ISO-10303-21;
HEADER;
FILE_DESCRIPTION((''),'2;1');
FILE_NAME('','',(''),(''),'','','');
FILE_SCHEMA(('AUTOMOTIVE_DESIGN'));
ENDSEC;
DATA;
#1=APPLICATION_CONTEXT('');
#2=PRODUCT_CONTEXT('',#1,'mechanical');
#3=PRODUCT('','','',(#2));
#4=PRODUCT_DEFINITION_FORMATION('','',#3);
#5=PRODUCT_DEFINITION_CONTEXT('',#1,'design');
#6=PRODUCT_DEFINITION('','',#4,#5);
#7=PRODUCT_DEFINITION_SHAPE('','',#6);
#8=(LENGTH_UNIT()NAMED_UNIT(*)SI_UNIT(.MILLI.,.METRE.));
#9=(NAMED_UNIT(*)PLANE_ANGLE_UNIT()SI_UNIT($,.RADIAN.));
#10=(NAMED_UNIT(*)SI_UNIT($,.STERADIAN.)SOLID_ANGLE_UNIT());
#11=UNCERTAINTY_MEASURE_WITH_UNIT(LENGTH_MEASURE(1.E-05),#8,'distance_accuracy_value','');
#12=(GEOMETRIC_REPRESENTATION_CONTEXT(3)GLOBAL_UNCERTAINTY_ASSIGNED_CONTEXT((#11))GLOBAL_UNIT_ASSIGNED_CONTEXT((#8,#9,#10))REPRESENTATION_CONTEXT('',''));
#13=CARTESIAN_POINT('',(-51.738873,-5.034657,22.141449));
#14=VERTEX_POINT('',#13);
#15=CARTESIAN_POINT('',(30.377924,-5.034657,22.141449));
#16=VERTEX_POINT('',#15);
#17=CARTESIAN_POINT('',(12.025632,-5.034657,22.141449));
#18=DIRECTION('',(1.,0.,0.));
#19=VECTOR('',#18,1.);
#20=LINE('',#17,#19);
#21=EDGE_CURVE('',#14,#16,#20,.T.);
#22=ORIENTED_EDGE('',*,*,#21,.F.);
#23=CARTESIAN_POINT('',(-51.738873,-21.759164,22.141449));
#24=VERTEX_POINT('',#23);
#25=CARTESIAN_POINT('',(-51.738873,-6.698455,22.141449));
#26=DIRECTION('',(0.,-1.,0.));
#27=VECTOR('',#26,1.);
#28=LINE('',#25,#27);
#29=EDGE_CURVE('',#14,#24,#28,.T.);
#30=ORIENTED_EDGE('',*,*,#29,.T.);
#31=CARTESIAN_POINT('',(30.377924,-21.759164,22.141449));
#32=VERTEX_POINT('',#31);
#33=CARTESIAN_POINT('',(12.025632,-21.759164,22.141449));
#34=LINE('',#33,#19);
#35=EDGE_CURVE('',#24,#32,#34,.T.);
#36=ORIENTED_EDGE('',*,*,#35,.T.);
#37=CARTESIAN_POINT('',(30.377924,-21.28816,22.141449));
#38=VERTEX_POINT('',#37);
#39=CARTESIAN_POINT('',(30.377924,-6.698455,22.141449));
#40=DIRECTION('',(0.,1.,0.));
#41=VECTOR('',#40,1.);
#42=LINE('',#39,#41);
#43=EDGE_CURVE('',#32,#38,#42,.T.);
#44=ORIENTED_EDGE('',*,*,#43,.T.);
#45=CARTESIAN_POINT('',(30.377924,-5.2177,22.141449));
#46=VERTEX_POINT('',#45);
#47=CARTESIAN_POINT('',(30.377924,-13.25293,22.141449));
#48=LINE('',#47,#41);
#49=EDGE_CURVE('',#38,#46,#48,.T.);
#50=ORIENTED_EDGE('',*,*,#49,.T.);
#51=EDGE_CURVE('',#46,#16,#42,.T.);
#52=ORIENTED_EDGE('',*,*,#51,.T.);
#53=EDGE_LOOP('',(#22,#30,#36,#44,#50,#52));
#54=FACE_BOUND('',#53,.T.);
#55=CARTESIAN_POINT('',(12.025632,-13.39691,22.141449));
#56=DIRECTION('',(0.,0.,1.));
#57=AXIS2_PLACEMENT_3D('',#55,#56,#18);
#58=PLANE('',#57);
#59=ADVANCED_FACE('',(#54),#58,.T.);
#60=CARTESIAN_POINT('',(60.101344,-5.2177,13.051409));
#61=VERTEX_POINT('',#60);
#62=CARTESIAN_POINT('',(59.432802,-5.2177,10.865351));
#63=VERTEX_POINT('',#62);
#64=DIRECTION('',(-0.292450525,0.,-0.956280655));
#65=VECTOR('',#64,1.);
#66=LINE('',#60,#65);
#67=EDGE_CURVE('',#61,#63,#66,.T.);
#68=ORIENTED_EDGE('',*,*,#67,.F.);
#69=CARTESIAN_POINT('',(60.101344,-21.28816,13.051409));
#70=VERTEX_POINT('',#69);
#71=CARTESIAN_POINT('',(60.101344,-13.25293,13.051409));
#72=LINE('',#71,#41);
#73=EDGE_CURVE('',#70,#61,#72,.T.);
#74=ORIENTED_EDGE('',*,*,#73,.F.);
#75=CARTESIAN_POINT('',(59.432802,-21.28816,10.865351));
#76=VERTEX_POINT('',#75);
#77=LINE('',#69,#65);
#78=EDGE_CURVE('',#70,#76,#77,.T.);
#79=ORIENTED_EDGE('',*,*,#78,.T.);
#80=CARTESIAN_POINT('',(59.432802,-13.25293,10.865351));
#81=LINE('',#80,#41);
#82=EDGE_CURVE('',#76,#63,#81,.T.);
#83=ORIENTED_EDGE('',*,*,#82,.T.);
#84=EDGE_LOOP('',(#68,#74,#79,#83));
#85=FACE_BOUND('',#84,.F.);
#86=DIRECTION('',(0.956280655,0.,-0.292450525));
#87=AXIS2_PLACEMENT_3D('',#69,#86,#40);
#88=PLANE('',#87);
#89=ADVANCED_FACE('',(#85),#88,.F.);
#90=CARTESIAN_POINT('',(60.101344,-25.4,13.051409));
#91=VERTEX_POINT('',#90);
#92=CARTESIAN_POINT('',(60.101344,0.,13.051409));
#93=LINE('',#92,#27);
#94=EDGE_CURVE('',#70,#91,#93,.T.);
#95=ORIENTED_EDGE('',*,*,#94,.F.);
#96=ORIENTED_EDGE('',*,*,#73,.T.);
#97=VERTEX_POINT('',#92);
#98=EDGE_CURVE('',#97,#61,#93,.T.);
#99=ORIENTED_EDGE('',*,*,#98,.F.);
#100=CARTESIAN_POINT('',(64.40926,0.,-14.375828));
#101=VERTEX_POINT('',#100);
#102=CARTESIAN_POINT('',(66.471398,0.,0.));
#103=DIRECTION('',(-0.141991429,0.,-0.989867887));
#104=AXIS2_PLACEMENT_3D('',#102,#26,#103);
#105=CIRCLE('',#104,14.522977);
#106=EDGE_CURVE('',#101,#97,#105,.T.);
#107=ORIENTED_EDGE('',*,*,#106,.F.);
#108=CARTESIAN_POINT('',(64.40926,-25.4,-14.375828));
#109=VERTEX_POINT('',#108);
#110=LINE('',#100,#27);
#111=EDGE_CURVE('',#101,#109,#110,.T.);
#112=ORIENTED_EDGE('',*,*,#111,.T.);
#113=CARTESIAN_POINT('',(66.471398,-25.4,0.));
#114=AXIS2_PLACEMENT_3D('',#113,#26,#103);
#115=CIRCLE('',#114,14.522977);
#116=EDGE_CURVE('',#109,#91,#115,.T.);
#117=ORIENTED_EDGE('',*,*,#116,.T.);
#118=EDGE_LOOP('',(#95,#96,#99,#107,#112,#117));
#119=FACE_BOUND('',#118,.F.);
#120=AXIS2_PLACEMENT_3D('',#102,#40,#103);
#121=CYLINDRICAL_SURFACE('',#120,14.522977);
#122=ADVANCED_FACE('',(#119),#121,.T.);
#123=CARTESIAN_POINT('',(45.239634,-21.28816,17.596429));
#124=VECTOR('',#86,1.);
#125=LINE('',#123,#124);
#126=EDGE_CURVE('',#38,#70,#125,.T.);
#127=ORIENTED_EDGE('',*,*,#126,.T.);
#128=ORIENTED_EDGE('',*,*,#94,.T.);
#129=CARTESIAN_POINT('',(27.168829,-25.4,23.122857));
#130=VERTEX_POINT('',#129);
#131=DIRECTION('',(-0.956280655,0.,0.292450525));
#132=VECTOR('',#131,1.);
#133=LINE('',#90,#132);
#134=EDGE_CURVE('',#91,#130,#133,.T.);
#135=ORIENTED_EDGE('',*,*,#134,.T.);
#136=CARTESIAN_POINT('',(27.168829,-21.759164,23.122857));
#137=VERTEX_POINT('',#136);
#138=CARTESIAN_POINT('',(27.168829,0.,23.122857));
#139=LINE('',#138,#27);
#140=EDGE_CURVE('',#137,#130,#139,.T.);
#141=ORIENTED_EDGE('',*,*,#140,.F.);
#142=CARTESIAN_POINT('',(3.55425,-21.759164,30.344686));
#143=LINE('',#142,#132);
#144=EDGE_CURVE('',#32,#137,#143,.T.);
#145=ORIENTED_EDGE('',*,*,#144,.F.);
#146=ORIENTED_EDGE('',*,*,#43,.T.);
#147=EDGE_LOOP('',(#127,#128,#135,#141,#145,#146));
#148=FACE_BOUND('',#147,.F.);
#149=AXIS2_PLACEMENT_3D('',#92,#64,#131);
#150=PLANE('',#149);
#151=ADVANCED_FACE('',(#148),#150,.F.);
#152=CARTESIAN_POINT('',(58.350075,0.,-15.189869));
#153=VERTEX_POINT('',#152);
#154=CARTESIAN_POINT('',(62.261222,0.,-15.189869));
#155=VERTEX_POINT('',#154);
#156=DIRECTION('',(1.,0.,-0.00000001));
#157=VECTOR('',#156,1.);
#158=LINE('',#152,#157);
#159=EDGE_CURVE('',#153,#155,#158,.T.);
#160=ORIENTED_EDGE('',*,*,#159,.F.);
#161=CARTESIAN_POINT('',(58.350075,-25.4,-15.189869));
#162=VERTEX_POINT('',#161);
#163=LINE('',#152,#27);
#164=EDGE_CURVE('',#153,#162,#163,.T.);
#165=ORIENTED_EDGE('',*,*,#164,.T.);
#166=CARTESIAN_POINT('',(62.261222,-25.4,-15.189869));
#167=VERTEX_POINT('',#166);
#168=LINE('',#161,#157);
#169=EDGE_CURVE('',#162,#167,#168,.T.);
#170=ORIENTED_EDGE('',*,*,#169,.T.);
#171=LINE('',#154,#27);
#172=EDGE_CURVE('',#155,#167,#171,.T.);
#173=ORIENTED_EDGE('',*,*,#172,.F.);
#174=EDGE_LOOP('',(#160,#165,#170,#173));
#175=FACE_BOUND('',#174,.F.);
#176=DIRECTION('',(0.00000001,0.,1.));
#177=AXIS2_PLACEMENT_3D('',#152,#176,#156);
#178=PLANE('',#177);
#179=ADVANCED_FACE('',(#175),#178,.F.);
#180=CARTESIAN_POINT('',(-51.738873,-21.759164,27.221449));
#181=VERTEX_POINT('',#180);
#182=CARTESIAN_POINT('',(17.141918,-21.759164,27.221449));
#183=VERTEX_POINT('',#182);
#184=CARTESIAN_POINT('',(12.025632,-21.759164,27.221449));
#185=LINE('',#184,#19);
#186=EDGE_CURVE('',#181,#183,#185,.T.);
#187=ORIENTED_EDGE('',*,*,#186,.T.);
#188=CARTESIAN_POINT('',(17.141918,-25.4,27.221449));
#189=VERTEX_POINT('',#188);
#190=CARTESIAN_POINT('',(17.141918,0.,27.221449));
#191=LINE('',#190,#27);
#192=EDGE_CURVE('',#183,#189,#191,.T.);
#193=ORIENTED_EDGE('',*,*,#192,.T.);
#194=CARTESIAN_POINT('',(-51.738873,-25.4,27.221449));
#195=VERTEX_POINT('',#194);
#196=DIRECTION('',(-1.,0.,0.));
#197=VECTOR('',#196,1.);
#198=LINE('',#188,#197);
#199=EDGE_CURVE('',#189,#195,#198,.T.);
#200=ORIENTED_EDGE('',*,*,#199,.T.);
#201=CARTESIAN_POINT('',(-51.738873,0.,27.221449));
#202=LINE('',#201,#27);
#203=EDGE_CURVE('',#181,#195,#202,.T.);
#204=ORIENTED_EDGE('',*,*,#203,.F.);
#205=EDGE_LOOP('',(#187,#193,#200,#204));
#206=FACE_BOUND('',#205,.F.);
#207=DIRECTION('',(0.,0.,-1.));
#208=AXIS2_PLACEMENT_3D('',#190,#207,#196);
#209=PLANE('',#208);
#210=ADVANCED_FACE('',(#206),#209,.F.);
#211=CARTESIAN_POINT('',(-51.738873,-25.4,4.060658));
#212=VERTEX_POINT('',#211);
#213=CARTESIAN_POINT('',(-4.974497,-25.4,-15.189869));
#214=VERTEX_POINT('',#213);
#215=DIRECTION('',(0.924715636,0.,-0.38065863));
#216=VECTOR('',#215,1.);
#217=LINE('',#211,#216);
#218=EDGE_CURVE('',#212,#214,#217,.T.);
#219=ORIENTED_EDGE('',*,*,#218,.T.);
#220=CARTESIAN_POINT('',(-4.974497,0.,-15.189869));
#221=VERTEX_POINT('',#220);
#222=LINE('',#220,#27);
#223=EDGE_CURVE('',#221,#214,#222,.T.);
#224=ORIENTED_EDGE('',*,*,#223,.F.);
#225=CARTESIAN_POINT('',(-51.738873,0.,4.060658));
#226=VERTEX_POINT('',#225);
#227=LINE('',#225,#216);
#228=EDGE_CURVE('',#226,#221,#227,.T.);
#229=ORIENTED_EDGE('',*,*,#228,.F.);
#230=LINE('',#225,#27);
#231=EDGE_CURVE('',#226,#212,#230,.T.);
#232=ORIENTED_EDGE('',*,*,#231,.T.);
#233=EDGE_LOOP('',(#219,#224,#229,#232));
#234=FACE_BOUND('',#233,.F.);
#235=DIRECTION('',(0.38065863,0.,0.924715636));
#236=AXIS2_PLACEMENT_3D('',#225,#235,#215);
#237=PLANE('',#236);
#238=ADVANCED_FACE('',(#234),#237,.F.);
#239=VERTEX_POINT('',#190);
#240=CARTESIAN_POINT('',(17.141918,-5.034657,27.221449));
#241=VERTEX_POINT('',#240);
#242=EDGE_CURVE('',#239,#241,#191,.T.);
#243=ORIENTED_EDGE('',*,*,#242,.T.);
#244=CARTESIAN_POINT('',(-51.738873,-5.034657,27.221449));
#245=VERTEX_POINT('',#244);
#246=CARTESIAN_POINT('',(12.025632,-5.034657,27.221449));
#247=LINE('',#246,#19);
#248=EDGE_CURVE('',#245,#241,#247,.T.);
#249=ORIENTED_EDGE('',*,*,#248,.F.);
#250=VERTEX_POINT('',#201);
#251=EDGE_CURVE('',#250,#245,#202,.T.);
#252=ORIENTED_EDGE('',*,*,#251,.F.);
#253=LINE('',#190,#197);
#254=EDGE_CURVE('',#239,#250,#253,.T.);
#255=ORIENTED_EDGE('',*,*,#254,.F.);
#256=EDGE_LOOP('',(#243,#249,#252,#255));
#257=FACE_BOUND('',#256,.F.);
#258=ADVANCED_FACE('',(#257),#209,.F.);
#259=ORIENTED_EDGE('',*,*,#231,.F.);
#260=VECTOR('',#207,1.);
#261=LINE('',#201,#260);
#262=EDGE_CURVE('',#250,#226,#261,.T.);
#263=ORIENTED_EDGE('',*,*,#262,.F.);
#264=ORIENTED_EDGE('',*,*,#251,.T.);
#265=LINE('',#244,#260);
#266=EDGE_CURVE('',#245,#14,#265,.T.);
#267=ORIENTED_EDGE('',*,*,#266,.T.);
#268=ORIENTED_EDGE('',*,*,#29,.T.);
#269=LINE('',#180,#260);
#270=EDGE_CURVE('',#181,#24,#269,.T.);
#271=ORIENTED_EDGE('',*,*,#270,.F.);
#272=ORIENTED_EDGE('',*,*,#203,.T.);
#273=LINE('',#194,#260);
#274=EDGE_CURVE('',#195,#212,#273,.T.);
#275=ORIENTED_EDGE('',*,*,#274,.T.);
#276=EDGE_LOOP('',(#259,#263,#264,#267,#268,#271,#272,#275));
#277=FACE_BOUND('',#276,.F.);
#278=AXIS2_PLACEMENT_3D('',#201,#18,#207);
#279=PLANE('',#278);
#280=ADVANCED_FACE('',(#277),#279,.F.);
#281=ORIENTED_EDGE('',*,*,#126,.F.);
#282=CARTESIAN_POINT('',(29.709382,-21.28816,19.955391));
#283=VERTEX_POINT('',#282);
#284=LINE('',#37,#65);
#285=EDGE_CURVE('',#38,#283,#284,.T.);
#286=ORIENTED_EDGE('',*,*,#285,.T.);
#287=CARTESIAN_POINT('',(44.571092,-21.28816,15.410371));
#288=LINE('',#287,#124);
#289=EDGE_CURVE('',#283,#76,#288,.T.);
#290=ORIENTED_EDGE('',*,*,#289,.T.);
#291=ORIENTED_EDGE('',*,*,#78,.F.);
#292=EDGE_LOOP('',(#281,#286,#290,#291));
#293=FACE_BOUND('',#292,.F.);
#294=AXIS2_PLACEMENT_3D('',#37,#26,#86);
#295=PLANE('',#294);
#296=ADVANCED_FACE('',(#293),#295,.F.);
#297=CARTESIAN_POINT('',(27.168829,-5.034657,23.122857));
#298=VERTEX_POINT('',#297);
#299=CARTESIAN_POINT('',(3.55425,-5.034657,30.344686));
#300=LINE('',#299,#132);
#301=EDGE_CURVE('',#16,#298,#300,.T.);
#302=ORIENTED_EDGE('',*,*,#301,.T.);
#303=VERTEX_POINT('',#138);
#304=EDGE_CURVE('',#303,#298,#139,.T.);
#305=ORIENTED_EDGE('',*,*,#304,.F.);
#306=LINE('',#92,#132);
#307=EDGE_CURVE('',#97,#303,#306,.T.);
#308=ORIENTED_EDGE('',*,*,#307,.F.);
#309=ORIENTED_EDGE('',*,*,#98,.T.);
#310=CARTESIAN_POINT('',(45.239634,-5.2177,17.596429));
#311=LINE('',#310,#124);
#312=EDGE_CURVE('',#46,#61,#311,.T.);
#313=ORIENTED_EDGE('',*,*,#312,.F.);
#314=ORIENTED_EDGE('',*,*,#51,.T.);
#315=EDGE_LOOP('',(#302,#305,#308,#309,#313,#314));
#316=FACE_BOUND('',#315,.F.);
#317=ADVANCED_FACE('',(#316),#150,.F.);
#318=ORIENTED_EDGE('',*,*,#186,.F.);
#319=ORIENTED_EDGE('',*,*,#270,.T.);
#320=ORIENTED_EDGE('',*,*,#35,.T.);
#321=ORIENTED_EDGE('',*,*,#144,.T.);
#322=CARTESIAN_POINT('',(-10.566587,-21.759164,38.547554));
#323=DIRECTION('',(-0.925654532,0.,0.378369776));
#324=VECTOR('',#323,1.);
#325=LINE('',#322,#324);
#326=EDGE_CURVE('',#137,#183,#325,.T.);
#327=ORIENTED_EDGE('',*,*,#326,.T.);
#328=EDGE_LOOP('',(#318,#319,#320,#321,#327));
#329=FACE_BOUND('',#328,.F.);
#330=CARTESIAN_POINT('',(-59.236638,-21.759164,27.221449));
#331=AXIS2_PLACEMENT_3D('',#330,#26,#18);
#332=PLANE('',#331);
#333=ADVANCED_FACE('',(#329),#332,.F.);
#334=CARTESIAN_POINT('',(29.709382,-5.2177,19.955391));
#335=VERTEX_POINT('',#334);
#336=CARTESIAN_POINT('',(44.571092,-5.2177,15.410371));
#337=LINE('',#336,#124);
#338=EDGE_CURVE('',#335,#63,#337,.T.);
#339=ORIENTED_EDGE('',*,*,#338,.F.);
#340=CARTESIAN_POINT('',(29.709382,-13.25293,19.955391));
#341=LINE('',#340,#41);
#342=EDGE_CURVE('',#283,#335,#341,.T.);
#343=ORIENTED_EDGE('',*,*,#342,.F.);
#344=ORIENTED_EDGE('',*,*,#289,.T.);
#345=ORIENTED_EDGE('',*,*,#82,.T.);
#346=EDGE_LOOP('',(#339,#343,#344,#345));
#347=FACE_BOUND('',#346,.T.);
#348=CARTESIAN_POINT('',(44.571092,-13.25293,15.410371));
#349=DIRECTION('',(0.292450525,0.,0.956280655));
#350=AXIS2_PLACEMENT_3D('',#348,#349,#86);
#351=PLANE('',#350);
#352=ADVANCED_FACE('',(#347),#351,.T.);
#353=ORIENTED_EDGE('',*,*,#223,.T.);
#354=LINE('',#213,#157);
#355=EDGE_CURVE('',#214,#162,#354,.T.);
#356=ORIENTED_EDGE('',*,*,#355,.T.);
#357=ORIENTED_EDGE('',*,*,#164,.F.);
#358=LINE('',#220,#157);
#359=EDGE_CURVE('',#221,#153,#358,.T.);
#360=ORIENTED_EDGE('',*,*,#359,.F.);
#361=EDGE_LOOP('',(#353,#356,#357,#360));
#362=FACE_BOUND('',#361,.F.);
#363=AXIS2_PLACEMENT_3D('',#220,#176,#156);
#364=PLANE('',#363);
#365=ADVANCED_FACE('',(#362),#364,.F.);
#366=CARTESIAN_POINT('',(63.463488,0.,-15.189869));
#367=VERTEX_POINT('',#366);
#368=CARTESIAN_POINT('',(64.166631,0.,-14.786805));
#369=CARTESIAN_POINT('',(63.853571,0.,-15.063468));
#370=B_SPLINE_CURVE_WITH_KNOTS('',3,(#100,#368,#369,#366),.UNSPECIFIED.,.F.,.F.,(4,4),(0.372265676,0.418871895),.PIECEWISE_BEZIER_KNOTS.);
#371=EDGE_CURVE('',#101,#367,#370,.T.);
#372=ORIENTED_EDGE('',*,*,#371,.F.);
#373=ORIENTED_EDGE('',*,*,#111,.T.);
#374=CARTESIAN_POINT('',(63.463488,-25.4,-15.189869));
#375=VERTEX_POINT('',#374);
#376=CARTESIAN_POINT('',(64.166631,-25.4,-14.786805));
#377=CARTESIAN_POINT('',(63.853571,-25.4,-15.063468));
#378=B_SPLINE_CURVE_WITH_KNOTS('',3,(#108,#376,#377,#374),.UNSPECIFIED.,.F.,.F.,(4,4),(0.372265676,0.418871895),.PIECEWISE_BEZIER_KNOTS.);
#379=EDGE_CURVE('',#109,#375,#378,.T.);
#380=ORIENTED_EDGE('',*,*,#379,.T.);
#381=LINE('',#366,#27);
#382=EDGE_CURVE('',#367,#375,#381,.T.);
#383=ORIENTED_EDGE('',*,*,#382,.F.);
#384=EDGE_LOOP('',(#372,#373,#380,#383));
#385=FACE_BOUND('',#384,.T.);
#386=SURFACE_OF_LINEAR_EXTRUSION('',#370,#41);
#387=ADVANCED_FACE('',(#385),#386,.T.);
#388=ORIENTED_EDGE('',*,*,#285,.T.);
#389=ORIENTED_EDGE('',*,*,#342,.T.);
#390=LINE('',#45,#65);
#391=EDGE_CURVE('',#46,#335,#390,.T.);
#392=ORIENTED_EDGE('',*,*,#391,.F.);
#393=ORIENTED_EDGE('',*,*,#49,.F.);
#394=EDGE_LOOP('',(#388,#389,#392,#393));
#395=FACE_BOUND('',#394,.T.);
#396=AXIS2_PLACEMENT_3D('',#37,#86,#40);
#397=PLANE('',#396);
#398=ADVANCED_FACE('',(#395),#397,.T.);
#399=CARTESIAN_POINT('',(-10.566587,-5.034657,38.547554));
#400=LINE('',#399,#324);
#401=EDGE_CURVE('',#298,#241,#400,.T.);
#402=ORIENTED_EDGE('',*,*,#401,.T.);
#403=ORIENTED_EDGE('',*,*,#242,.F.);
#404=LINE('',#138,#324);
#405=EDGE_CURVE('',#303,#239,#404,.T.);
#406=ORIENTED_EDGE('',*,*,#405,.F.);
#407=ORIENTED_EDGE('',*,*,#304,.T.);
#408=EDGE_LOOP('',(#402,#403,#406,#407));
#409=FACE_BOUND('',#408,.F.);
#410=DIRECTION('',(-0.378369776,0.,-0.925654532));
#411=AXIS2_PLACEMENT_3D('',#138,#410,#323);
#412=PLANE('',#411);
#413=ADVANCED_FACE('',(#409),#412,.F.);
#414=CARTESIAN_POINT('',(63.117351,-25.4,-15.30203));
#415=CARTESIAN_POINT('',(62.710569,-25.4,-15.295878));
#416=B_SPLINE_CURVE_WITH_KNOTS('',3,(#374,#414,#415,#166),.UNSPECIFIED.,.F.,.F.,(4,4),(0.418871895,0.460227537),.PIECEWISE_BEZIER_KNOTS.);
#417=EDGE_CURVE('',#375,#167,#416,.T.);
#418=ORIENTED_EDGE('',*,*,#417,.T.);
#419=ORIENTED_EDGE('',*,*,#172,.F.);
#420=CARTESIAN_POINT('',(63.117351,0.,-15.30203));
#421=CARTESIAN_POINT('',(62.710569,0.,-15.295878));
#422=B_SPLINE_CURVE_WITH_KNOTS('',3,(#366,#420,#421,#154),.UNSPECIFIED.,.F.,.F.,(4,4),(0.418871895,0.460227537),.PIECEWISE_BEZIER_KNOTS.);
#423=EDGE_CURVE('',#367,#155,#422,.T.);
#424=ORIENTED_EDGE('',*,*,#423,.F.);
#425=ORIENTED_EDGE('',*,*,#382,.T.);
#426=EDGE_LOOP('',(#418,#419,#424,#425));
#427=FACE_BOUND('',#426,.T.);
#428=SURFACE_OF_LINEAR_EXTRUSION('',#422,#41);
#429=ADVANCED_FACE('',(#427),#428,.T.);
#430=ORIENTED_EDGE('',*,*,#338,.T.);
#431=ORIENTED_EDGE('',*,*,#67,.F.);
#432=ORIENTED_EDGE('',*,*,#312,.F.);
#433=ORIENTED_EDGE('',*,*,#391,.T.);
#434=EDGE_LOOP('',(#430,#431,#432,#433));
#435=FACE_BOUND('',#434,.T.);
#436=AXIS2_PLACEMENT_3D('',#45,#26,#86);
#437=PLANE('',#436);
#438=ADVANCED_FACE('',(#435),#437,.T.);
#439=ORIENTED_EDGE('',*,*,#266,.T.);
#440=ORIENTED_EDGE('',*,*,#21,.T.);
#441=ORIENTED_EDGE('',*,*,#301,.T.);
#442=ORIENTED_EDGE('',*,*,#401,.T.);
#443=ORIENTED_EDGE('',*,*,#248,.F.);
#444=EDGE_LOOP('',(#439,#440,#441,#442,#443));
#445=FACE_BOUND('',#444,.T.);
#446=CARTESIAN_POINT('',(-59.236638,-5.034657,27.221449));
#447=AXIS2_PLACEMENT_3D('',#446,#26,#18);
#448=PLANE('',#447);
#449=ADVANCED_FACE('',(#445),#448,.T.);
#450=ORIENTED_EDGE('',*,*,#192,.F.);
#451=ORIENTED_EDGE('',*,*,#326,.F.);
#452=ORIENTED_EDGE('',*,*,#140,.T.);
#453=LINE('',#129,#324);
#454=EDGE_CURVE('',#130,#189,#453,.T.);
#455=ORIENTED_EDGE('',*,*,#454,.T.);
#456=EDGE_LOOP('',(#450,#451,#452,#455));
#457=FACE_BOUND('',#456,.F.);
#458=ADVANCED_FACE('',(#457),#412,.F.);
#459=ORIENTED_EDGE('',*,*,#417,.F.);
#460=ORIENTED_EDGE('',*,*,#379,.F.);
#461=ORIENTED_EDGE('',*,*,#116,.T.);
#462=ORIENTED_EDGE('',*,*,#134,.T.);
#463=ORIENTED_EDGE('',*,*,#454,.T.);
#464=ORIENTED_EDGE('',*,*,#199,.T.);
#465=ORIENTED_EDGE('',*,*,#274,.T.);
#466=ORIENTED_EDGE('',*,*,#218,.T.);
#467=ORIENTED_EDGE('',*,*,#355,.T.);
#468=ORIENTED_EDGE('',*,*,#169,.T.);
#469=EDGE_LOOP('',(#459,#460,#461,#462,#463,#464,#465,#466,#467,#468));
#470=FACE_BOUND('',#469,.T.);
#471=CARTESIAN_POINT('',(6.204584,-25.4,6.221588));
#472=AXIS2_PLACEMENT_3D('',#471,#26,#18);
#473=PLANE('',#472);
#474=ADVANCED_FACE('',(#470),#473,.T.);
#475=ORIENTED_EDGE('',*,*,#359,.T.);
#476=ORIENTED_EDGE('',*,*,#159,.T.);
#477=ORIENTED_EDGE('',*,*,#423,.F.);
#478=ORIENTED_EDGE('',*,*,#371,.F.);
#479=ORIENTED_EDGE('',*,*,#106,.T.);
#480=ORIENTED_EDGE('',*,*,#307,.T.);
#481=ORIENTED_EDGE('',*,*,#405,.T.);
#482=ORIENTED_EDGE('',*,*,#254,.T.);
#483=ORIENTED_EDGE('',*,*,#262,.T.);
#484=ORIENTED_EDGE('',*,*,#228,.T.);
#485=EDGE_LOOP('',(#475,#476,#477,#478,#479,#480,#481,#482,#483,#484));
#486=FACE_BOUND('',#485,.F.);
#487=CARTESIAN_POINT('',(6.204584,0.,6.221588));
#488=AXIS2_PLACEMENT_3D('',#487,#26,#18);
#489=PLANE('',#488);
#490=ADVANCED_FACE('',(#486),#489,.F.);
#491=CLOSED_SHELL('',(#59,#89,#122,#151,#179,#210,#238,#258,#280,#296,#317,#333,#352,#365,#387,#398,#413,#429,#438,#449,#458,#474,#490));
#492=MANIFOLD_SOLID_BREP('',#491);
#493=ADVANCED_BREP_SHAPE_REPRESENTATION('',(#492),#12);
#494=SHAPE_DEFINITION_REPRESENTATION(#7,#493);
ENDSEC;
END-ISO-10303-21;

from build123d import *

# Parameters (mm, degrees)
F1_DEPTH = 25.4
F2_W     = 142.5245404243
F2_H     = 16.7245063931
F3_DEPTH = 5.08
F4_W     = 31.0823179224
F4_H     = 16.0704599693
F5_DEPTH = 2.286


with BuildPart() as f1:
    # F0 (on Front) → F1 (new body)
    with BuildSketch(Plane.XZ):
        with BuildLine():
            Line((17.1419177204, 27.2214487195), (-51.7388731241, 27.2214487195))
            Line((-51.7388731241, 27.2214487195), (-51.7388731241, 4.0606581606))
            Line((-51.7388731241, 4.0606581606), (-4.9744974851, -15.1898686591))
            Line((-4.9744974851, -15.1898686591), (58.3500750363, -15.1898692793))
            Line((58.3500750363, -15.1898692793), (62.2612222636, -15.1898693176))
            Line((62.2612222636, -15.1898693176), (63.4634880032, -15.1898693293))
            add(Edge.make_bspline(
                [(64.4092596529, -14.3758283739), (64.1666311948, -14.7868047997), (63.8535709364, -15.0634684427), (63.4634880032, -15.1898693293)],
                knots=[0.3722656756, 0.3722656756, 0.3722656756, 0.3722656756, 0.4188718953, 0.4188718953, 0.4188718953, 0.4188718953], degree=3))
            add(Edge.make_bspline(
                [(60.1013436317, 13.0514085218), (63.7917100626, 0.7586007856), (66.3472466315, -11.0931674362), (64.4092596529, -14.3758283739)],
                knots=[0, 0, 0, 0, 0.3722656756, 0.3722656756, 0.3722656756, 0.3722656756], degree=3))
            Line((60.1013436317, 13.0514085218), (27.1688286692, 23.1228569478))
            Line((27.1688286692, 23.1228569478), (17.1419177204, 27.2214487195))
        make_face()
        with BuildLine():
            ThreePointArc((64.4092596529, -14.3758283739), (80.818481148, 2.2534544809), (60.1013436317, 13.0514085218))
            add(Edge.make_bspline(
                [(60.1013436317, 13.0514085218), (63.7917100626, 0.7586007856), (66.3472466315, -11.0931674362), (64.4092596529, -14.3758283739)],
                knots=[0, 0, 0, 0, 0.3722656756, 0.3722656756, 0.3722656756, 0.3722656756], degree=3))
        make_face()
        with BuildLine():
            Line((63.4634880032, -15.1898693293), (62.2612222636, -15.1898693176))
            add(Edge.make_bspline(
                [(63.4634880032, -15.1898693293), (63.1173511551, -15.3020301053), (62.7105685577, -15.2958777029), (62.2612222636, -15.1898693176)],
                knots=[0.4188718953, 0.4188718953, 0.4188718953, 0.4188718953, 0.4602275369, 0.4602275369, 0.4602275369, 0.4602275369], degree=3))
        make_face()
    extrude(amount=F1_DEPTH)

    # F2 (on face) → F3 (cut)
    with BuildSketch(Plane.XY.offset(27.2214487195)):
        with Locations((12.0256319642, -13.3969103917)):
            Rectangle(F2_W, F2_H)
    extrude(amount=-F3_DEPTH, mode=Mode.SUBTRACT)

    # F4 (on face) → F5 (cut)
    with BuildSketch(Plane(origin=(8.7903255134, 0, 28.7433856833), x_dir=(0.9562806546, 0, -0.2924505251), z_dir=(0.2924505251, 0, 0.9562806546))):
        with Locations((38.115701994, -13.25293025)):
            Rectangle(F4_W, F4_H)
    extrude(amount=-F5_DEPTH, mode=Mode.SUBTRACT)


solid = f1.part
